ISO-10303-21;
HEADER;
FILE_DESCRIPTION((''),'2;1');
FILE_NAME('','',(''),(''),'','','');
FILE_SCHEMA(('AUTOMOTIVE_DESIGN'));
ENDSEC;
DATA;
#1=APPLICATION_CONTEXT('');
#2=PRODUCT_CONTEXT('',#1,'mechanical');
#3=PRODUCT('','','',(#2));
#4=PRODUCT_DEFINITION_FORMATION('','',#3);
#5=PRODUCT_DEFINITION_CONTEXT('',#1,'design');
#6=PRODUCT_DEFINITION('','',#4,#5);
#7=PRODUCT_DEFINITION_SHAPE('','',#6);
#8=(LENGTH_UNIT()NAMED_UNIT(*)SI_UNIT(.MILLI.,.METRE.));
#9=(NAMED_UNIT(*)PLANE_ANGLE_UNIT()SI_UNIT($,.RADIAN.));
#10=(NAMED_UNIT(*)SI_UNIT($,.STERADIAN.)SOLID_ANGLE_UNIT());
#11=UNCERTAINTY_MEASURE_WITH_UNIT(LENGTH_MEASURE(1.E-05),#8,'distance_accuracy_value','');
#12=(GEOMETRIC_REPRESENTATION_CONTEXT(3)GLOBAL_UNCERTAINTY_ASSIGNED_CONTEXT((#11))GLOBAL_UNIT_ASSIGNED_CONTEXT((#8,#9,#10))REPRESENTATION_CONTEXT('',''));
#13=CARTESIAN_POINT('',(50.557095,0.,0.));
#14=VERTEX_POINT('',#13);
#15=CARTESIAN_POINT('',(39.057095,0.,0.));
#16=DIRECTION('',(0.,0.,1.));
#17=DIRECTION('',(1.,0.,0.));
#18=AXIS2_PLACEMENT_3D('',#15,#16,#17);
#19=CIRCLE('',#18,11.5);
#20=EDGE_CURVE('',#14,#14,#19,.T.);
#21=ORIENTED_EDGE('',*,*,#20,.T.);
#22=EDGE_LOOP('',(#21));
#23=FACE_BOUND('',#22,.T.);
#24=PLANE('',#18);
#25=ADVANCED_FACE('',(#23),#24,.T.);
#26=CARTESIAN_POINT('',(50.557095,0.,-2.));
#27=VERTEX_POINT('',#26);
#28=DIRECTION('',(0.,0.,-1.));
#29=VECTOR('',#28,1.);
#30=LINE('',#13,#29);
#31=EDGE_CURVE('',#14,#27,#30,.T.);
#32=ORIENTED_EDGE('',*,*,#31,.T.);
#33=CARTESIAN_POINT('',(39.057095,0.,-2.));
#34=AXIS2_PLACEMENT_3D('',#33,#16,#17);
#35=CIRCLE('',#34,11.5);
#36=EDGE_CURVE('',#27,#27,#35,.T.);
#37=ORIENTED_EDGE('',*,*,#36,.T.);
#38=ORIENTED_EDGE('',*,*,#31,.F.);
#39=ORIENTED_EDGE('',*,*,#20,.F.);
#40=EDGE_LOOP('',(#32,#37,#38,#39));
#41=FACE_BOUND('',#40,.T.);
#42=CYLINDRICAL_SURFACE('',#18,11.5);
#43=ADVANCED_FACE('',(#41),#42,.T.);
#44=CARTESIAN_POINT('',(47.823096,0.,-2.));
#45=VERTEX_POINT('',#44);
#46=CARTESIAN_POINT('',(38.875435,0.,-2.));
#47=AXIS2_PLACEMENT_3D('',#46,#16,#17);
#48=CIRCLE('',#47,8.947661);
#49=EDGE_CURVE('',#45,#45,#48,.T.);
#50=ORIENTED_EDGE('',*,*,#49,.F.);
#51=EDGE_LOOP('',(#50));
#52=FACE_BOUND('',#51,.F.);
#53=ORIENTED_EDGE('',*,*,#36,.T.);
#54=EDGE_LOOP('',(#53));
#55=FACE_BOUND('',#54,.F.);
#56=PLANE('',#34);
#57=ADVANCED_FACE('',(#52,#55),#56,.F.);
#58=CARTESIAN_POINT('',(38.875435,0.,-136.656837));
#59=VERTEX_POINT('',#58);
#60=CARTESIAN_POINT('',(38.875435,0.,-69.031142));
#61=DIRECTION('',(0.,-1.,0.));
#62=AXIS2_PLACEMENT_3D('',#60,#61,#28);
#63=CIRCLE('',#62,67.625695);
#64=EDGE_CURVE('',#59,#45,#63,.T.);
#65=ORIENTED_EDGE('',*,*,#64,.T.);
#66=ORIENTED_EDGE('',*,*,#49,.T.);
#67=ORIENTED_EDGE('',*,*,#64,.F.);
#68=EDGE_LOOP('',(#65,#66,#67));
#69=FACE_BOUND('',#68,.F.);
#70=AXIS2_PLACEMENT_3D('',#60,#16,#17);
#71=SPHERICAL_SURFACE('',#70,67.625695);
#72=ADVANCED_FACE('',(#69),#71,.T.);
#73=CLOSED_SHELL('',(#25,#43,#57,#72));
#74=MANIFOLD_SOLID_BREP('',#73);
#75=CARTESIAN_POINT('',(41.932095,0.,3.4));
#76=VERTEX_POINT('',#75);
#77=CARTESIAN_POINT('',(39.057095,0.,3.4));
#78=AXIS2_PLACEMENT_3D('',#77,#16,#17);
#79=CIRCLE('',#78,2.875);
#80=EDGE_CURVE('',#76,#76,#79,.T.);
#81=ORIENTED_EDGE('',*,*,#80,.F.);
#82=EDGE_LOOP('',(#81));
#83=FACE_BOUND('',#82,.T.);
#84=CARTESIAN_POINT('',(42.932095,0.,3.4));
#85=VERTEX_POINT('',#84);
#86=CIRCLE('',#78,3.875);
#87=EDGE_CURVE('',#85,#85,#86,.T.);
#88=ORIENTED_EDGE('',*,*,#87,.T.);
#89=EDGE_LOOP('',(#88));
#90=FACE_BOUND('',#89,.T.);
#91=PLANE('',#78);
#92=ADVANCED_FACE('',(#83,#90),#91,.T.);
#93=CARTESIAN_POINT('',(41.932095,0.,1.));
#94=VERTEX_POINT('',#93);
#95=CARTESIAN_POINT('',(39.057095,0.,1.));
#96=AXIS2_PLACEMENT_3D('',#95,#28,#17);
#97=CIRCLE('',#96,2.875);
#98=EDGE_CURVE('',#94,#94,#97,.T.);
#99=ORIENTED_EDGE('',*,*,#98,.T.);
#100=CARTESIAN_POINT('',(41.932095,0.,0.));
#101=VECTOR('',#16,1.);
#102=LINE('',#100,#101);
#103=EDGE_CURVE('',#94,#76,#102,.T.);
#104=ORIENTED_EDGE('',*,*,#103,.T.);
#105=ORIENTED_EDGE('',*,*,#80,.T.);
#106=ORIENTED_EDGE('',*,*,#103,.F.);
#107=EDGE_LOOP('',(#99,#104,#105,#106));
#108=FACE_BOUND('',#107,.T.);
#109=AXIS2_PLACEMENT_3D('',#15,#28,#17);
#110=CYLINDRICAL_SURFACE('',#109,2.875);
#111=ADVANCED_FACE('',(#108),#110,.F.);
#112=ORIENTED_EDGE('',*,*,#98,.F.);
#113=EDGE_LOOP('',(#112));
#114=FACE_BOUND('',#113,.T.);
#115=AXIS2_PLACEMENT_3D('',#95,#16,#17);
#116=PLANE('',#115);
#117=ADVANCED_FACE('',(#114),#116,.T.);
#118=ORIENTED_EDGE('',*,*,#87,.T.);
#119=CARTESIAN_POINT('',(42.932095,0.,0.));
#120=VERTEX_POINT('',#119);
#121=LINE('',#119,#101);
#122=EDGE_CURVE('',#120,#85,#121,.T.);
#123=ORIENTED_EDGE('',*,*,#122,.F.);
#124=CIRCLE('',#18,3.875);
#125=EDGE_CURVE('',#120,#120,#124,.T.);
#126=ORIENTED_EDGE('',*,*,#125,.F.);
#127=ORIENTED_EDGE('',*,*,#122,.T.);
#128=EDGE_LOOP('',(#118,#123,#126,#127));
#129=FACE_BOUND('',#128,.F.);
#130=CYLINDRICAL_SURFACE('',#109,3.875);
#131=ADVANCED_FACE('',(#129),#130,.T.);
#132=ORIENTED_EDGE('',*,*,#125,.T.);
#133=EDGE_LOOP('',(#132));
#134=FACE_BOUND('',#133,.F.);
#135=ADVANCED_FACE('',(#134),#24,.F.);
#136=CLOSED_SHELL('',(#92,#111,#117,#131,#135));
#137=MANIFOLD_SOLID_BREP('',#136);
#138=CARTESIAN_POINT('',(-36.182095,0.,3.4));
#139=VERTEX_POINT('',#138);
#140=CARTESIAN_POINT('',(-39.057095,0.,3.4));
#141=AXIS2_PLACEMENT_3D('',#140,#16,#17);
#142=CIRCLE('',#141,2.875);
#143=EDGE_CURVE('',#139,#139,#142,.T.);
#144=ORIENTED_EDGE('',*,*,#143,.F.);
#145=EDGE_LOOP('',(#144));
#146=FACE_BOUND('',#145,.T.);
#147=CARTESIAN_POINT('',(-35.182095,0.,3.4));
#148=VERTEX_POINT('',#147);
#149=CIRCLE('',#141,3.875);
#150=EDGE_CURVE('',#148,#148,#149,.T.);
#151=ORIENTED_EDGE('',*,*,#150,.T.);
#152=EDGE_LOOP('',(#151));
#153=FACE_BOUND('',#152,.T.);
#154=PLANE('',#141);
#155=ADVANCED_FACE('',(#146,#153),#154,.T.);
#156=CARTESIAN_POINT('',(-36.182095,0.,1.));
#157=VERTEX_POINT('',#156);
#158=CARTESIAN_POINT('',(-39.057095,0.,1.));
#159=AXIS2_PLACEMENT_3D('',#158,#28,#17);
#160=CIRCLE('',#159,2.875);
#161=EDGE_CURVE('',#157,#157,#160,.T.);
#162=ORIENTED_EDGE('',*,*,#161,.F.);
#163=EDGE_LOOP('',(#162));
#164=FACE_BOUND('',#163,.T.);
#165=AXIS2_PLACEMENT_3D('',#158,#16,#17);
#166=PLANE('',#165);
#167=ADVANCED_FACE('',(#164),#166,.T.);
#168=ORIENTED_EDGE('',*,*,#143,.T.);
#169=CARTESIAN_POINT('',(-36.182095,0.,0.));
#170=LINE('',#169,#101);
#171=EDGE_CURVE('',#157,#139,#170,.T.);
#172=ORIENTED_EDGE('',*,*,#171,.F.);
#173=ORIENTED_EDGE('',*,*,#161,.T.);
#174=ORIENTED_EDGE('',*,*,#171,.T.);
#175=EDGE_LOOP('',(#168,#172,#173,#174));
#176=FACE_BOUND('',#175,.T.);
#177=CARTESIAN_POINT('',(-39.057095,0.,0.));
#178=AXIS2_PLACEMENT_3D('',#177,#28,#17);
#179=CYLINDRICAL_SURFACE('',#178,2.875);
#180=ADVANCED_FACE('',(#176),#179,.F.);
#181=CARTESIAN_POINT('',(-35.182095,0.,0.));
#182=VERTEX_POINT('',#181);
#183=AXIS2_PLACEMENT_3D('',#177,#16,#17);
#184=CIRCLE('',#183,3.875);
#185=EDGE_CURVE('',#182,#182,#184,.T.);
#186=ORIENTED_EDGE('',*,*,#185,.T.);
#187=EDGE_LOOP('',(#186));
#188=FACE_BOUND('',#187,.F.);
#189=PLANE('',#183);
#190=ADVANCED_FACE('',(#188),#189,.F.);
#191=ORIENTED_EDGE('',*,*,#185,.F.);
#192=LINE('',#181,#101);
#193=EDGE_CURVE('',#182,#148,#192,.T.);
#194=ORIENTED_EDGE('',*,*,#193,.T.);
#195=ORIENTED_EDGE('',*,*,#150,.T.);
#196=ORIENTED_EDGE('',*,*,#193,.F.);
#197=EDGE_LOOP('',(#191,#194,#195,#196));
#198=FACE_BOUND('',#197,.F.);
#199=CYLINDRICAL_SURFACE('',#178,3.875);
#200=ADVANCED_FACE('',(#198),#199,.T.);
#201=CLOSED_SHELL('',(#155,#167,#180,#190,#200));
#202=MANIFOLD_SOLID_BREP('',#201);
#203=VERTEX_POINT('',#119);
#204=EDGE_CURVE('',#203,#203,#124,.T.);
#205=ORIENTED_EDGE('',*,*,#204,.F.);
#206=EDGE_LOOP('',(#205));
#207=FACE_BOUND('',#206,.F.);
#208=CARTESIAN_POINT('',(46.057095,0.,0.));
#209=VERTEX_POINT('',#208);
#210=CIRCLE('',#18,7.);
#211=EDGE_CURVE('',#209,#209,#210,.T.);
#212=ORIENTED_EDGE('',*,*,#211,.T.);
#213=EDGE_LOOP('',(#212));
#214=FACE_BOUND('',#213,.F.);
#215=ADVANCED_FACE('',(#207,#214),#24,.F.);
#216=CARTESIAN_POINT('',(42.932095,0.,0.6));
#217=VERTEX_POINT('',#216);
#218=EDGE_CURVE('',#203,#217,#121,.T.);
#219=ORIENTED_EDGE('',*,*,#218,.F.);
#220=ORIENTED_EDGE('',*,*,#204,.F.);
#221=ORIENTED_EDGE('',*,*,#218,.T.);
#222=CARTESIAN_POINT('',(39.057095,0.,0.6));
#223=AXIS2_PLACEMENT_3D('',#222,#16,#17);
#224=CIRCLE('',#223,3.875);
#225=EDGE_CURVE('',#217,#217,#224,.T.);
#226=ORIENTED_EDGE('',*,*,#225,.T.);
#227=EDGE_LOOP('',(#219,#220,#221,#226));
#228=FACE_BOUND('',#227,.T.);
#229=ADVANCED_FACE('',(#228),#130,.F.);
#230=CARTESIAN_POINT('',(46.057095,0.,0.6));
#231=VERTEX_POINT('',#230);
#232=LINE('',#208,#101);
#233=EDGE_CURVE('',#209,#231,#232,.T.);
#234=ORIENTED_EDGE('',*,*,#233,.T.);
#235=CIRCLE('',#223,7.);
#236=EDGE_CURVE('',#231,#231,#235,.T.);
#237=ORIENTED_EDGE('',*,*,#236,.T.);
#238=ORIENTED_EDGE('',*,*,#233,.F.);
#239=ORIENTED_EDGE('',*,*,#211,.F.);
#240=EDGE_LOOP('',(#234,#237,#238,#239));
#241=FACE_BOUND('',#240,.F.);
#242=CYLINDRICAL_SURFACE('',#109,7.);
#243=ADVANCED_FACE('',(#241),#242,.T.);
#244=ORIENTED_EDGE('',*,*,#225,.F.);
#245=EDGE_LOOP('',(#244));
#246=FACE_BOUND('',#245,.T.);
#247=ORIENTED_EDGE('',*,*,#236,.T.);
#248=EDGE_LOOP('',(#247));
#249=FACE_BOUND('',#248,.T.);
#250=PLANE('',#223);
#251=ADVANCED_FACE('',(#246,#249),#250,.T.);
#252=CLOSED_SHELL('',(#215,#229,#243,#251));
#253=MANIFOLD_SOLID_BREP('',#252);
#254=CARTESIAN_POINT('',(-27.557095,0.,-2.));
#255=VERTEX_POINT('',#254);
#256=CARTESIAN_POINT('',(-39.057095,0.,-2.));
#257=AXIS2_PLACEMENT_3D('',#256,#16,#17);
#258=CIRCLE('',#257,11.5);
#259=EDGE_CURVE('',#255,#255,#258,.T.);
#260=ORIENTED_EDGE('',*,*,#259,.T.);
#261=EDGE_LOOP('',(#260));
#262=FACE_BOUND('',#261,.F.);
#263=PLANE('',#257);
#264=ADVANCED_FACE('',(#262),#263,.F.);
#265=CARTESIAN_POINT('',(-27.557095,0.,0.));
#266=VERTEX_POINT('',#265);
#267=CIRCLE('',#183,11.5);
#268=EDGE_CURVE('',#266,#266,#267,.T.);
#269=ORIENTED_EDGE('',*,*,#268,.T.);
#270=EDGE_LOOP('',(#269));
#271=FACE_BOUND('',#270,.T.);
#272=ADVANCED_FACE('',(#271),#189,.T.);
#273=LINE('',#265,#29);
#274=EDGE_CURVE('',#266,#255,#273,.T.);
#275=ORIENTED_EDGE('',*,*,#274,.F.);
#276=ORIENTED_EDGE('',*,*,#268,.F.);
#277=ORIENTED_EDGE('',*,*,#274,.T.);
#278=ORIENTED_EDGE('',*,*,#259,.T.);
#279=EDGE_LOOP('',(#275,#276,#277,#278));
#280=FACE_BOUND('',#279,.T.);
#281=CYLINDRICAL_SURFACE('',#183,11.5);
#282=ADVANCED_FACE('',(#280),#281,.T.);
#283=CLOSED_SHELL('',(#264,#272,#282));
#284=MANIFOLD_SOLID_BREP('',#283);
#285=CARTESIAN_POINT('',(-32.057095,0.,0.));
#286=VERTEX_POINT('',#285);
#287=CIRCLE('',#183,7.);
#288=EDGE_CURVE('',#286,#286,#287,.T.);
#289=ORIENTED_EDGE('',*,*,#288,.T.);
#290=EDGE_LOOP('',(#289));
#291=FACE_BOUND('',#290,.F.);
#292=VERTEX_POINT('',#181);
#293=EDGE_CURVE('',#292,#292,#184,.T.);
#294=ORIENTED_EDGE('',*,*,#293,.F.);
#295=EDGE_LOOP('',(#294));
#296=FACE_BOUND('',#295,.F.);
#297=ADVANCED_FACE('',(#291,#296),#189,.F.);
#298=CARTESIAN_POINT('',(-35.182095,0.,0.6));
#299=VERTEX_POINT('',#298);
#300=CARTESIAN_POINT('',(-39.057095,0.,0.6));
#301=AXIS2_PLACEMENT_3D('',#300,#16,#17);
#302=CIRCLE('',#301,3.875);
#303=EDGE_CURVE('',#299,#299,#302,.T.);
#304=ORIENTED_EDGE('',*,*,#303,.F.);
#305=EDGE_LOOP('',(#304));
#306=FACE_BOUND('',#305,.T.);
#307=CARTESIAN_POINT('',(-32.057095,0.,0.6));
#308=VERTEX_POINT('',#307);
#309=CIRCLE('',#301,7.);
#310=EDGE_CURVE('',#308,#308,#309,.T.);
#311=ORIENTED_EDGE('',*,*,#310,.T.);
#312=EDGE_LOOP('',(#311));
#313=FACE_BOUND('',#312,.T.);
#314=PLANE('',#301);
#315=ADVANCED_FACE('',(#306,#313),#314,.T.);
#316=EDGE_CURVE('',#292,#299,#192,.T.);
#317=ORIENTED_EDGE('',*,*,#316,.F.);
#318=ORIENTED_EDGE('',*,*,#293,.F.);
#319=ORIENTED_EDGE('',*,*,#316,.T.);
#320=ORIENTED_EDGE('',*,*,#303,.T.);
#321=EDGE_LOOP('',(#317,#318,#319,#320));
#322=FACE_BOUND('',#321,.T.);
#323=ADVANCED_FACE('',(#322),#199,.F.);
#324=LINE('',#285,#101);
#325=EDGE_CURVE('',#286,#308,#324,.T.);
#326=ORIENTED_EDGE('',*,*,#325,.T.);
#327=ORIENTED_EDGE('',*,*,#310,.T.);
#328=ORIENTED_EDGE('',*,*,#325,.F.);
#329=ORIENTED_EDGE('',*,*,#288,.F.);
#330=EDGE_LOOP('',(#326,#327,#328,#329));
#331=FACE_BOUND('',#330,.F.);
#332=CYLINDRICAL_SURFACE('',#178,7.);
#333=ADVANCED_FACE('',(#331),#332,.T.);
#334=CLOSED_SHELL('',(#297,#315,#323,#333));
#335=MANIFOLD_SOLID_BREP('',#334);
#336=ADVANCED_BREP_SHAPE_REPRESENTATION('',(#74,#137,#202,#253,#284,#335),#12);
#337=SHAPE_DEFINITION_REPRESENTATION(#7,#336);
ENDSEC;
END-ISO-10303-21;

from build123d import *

# Parameters (mm, degrees)
F0_R     = 3.875
F1_DEPTH = 3.4
F0_R_2   = 7
F2_DEPTH = 0.6
F0_R_3   = 11.5
F3_DEPTH = 2
F4_T     = -1
F4_2_T   = -1


with BuildPart() as f1:
    # F0 (on Top) → F1 (new body)
    with BuildSketch(Plane.XY):
        with Locations((-39.0570946038, 0)):
            Circle(F0_R)
    extrude(amount=F1_DEPTH)

    # F4
    f4_openings = [f1.faces().sort_by_distance(p)[0] for p in [
        (-39.057095, 0, 3.4),
    ]]
    offset(amount=F4_T, openings=f4_openings)


with BuildPart() as f1b:
    # F0 (on Top) → F1, piece 2 (new body)
    with BuildSketch(Plane.XY):
        with Locations((39.0570946038, 0)):
            Circle(F0_R)
    extrude(amount=F1_DEPTH)

    # F4#2
    f4_2_openings = [f1b.faces().sort_by_distance(p)[0] for p in [
        (39.057095, 0, 3.4),
    ]]
    offset(amount=F4_2_T, openings=f4_2_openings)


with BuildPart() as f2:
    # F0 (on Top) → F2 (new body)
    with BuildSketch(Plane.XY):
        with Locations((-39.0570946038, 0)):
            Circle(F0_R_2)
        with Locations((-39.0570946038, 0)):
            Circle(F0_R, mode=Mode.SUBTRACT)
    extrude(amount=F2_DEPTH)


with BuildPart() as f2b:
    # F0 (on Top) → F2, piece 2 (new body)
    with BuildSketch(Plane.XY):
        with Locations((39.0570946038, 0)):
            Circle(F0_R_2)
        with Locations((39.0570946038, 0)):
            Circle(F0_R, mode=Mode.SUBTRACT)
    extrude(amount=F2_DEPTH)


with BuildPart() as f3:
    # F0 (on Top) → F3 (new body)
    with BuildSketch(Plane.XY):
        with Locations((-39.0570946038, 0)):
            Circle(F0_R_3)
        with Locations((-39.0570946038, 0)):
            Circle(F0_R_2, mode=Mode.SUBTRACT)
        with Locations((-39.0570946038, 0)):
            Circle(F0_R_2)
        with Locations((-39.0570946038, 0)):
            Circle(F0_R, mode=Mode.SUBTRACT)
        with Locations((-39.0570946038, 0)):
            Circle(F0_R)
    extrude(amount=-F3_DEPTH)


with BuildPart() as f3b:
    # F0 (on Top) → F3, piece 2 (new body)
    with BuildSketch(Plane.XY):
        with Locations((39.0570946038, 0)):
            Circle(F0_R_3)
        with Locations((39.0570946038, 0)):
            Circle(F0_R_2, mode=Mode.SUBTRACT)
        with Locations((39.0570946038, 0)):
            Circle(F0_R_2)
        with Locations((39.0570946038, 0)):
            Circle(F0_R, mode=Mode.SUBTRACT)
        with Locations((39.0570946038, 0)):
            Circle(F0_R)
    extrude(amount=-F3_DEPTH)

    # F5 (on Front) → F6 (revolve)
    with BuildSketch(Plane.XZ):
        with BuildLine():
            Line((38.8754345477, -69.0311416984), (38.8754345477, -136.6568365187))
            ThreePointArc((38.8754345477, -136.6568365187), (106.501129368, -69.0311416984), (38.8754345477, -1.405446878))
            Line((38.8754345477, -1.405446878), (38.8754345477, -69.0311416984))
        make_face()
    revolve(axis=Axis((38.8754345477, 0, -102.8439891085), (0, 0, -1)))


solid = Compound([f1.part, f1b.part, f2.part, f2b.part, f3.part, f3b.part])
